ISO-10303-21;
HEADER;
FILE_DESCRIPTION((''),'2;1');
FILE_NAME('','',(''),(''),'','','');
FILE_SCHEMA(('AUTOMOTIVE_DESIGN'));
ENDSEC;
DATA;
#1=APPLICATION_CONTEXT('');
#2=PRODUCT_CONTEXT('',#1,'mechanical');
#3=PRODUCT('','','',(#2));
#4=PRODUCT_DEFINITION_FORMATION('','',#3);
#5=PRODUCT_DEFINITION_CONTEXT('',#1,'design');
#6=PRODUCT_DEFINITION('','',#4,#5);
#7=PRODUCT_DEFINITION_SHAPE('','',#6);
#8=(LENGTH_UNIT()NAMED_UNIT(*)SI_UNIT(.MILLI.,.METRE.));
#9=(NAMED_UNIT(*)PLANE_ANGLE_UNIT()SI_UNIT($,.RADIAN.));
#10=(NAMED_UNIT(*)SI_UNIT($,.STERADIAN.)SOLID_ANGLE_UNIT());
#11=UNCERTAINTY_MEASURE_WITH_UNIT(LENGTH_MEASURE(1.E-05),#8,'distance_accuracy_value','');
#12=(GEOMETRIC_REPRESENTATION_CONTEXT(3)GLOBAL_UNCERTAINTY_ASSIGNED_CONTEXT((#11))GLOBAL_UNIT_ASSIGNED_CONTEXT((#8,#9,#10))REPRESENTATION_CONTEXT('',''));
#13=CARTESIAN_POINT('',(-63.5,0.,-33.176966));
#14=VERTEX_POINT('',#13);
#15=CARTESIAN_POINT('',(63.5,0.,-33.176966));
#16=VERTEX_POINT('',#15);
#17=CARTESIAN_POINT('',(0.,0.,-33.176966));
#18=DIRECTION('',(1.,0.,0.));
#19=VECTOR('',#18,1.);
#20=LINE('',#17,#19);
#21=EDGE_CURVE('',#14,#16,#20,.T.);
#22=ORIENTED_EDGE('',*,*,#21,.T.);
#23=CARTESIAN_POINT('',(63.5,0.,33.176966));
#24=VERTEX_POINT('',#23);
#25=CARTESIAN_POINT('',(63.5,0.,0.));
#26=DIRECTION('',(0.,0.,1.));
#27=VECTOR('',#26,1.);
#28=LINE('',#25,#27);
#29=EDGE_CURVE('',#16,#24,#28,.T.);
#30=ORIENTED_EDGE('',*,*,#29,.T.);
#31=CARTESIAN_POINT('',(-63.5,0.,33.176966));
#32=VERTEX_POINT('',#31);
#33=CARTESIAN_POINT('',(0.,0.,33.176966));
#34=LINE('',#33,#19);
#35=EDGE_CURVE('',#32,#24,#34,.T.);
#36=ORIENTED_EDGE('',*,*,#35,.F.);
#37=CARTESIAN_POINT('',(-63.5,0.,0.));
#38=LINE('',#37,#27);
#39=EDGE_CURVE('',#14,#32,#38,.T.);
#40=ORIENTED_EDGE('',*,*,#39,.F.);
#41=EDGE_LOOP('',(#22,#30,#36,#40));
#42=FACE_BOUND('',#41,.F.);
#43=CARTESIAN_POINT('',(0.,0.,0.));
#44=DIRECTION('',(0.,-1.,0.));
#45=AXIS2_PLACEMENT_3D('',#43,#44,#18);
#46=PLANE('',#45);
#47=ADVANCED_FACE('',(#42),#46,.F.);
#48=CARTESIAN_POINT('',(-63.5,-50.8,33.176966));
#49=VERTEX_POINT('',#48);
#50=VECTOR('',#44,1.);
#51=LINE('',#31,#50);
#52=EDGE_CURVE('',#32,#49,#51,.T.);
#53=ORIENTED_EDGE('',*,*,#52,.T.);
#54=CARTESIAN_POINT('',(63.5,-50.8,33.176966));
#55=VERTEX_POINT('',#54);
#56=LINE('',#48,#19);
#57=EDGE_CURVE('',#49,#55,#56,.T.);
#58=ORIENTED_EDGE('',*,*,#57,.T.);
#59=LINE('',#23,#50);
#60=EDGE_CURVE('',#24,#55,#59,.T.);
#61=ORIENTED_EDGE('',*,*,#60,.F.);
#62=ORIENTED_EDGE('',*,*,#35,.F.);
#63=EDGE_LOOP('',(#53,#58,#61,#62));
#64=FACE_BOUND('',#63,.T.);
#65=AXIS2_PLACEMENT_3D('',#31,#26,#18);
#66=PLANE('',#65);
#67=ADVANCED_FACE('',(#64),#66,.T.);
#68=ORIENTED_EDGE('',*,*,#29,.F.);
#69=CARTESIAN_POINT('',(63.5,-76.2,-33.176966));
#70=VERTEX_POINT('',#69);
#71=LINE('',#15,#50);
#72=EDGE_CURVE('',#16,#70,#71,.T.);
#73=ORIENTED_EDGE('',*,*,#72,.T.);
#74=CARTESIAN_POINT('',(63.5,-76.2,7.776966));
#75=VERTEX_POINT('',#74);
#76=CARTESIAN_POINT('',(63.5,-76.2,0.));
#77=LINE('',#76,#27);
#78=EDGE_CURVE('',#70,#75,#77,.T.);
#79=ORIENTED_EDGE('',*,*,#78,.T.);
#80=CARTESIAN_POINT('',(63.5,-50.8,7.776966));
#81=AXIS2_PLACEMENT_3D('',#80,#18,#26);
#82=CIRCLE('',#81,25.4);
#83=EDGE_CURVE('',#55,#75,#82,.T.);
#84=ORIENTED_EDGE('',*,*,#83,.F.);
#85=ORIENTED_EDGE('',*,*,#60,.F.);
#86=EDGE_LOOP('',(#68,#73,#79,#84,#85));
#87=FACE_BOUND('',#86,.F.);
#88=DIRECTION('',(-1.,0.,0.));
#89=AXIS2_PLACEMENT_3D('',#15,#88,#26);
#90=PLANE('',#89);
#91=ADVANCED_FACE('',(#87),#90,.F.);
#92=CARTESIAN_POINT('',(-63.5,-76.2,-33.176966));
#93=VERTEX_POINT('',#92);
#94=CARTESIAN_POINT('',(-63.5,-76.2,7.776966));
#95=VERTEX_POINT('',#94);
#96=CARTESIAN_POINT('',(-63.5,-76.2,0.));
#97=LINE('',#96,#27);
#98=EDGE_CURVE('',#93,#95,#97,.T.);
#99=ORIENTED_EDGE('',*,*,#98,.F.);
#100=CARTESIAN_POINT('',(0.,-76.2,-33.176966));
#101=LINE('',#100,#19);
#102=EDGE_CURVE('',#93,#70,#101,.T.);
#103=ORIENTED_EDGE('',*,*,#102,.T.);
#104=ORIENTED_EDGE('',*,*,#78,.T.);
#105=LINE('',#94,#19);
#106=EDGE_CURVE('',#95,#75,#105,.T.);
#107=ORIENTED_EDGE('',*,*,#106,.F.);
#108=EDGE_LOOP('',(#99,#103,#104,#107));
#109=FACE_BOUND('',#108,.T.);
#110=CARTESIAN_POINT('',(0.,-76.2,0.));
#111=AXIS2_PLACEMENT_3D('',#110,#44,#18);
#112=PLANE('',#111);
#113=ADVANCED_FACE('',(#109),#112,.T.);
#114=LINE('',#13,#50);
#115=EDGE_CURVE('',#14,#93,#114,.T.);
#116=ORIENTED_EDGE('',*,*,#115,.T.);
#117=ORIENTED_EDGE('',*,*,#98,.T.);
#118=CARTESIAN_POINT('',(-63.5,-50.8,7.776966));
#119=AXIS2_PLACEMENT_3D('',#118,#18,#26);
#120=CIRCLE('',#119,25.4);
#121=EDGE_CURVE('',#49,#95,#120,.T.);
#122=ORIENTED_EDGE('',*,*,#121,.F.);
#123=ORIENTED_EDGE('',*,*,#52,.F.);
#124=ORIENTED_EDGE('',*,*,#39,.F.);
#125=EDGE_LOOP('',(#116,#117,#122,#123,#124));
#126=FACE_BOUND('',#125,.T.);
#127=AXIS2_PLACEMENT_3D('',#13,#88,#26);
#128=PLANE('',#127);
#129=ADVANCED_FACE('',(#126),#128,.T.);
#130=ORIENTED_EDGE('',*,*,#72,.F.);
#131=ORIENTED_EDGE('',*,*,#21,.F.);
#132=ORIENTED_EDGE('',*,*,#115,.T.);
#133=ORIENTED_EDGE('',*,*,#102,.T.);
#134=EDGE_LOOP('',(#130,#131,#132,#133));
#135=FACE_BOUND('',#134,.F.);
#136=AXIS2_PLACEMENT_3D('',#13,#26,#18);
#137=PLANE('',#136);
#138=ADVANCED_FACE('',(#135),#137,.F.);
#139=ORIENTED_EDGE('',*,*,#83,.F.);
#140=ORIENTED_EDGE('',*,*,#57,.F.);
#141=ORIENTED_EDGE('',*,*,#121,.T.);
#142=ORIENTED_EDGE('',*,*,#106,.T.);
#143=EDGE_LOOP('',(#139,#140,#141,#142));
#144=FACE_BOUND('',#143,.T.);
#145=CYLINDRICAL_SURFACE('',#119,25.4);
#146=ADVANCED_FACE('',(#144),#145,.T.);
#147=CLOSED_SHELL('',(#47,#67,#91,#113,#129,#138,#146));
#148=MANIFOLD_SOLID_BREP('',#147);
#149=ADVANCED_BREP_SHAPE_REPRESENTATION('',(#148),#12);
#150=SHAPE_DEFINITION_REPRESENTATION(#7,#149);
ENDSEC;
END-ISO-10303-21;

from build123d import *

# Parameters (mm, degrees)
F0_W     = 127
F0_H     = 66.353932
F1_DEPTH = 76.2
F2_R     = 25.4


with BuildPart() as f1:
    # F0 (on Front) → F1 (new body)
    with BuildSketch(Plane.XZ):
        Rectangle(F0_W, F0_H)
    extrude(amount=F1_DEPTH)

    # F2
    f2_edges = [f1.edges().sort_by_distance(p)[0] for p in [
        (0, -76.2, 33.176966),
    ]]
    fillet(f2_edges, radius=F2_R)


solid = f1.part
